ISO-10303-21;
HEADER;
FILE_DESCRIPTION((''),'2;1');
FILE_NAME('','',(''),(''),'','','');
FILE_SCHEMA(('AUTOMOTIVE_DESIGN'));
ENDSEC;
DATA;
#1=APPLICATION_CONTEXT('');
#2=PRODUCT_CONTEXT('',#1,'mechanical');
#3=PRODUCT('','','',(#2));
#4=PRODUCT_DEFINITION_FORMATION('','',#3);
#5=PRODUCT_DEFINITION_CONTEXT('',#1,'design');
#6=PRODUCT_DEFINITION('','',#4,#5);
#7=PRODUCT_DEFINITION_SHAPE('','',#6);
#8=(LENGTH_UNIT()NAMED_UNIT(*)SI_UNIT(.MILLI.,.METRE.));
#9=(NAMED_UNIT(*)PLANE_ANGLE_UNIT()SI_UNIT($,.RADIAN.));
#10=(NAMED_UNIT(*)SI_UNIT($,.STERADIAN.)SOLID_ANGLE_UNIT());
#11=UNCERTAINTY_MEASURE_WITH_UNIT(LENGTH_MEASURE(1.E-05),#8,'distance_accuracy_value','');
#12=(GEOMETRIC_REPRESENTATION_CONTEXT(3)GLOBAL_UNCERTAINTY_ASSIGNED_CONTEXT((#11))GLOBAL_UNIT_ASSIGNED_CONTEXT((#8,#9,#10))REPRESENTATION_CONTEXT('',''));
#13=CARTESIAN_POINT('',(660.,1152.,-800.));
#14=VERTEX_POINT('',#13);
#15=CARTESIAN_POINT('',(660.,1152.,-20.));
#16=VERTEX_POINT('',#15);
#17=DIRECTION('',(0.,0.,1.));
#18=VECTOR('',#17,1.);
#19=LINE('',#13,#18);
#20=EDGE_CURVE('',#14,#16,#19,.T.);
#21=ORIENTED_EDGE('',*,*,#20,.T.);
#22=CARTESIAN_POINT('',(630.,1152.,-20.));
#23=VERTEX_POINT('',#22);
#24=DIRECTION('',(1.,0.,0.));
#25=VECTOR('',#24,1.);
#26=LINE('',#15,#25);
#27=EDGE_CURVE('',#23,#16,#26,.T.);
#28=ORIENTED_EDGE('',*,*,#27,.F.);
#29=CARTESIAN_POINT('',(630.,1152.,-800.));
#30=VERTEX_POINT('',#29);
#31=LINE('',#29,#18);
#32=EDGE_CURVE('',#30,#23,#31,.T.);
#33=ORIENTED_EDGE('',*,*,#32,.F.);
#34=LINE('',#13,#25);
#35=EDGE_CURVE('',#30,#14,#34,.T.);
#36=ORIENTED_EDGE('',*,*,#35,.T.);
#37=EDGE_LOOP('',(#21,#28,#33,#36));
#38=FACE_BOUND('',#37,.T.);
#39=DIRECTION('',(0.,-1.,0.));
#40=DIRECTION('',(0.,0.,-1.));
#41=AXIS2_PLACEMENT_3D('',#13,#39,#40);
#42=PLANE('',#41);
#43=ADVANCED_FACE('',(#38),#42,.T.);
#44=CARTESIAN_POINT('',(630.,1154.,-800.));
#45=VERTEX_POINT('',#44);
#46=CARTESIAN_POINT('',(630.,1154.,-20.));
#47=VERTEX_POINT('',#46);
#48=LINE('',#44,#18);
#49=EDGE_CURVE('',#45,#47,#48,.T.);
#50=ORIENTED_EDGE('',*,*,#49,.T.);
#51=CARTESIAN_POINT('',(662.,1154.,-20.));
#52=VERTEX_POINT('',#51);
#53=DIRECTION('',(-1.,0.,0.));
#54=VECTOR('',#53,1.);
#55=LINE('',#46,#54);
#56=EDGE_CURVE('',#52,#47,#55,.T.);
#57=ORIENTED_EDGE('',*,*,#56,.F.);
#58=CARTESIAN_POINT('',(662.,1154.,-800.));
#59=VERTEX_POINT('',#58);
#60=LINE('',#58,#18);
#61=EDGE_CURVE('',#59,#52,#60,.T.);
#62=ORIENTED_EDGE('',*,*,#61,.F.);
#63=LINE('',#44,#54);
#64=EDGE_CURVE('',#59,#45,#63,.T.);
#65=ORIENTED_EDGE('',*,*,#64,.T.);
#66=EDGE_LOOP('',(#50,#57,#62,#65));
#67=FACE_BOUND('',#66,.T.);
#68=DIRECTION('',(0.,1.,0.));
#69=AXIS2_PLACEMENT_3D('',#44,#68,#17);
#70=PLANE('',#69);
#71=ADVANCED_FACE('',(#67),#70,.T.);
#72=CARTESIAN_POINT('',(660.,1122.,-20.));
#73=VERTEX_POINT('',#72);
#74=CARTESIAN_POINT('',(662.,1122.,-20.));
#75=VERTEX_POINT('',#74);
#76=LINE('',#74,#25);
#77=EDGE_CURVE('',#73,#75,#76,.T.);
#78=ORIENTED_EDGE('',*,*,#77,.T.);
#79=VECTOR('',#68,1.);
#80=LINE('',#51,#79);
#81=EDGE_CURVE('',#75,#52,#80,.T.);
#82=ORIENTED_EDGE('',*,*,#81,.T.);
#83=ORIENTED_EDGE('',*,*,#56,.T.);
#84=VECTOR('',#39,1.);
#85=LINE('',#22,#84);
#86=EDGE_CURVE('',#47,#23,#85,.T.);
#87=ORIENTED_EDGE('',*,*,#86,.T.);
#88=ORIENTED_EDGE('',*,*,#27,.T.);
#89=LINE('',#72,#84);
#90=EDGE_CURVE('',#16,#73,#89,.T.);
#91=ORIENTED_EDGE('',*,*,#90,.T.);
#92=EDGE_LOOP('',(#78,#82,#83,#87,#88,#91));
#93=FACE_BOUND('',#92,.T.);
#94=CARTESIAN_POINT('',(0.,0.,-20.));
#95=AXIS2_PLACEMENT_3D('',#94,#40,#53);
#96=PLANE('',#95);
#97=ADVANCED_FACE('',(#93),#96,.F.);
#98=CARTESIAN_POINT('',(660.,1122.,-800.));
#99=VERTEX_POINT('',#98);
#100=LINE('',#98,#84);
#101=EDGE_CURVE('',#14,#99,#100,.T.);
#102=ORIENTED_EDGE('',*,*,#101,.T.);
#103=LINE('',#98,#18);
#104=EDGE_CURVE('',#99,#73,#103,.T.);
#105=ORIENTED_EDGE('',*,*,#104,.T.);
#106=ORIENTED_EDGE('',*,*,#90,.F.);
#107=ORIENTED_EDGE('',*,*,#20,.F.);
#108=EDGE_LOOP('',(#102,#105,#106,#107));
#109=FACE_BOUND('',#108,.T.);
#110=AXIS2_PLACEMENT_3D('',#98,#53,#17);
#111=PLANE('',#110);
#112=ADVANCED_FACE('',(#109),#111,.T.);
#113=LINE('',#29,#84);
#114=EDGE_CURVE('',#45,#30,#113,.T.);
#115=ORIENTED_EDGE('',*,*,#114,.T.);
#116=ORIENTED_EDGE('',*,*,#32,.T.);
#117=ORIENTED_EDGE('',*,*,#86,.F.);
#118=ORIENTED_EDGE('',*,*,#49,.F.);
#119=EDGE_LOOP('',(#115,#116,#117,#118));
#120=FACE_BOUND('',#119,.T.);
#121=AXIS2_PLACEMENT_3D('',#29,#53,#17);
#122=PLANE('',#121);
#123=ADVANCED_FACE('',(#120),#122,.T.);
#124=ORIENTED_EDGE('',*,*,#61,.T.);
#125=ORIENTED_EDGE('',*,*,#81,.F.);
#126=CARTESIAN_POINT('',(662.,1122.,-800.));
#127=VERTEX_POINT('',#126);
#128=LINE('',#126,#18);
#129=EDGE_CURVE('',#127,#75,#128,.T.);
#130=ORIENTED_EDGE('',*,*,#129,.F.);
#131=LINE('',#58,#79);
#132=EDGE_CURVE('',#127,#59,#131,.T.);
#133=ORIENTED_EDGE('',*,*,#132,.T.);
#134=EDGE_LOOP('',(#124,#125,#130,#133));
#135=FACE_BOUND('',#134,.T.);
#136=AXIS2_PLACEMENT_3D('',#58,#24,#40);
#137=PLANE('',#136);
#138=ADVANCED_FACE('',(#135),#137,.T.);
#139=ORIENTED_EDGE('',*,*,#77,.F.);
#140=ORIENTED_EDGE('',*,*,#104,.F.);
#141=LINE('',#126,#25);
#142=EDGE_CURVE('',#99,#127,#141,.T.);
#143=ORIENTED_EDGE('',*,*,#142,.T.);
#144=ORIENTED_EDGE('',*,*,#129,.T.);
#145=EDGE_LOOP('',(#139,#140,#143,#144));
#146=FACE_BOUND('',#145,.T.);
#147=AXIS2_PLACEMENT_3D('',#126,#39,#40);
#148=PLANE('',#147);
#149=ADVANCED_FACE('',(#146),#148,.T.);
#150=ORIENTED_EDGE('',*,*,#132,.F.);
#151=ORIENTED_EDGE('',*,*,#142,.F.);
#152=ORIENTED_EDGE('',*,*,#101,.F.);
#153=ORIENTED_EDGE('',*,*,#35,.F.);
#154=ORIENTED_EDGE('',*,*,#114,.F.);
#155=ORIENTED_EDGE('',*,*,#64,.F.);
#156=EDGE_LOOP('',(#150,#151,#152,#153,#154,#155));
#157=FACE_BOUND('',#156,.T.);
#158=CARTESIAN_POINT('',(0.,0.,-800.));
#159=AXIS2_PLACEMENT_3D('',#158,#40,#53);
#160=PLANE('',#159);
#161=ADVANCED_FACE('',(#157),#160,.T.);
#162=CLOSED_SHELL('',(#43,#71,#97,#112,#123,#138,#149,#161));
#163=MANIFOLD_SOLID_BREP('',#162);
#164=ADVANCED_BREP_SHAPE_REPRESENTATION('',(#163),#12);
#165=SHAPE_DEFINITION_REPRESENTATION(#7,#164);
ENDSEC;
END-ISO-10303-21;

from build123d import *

# Parameters (mm, degrees)
PRESS_UC_RAFI_KOSEBENT_SAG_1_START = -20
PRESS_UC_RAFI_KOSEBENT_SAG_1_DEPTH = 780


with BuildPart() as part:
    # Sketch1 → PRESS_uc_rafi_kosebent_sag_1 (new body)
    with BuildSketch(Plane.XY.offset(PRESS_UC_RAFI_KOSEBENT_SAG_1_START)):
        Polygon((662, 1122), (660, 1122), (660, 1152), (630, 1152), (630, 1154), (662, 1154), align=None)
    extrude(amount=-PRESS_UC_RAFI_KOSEBENT_SAG_1_DEPTH)


solid = part.part
